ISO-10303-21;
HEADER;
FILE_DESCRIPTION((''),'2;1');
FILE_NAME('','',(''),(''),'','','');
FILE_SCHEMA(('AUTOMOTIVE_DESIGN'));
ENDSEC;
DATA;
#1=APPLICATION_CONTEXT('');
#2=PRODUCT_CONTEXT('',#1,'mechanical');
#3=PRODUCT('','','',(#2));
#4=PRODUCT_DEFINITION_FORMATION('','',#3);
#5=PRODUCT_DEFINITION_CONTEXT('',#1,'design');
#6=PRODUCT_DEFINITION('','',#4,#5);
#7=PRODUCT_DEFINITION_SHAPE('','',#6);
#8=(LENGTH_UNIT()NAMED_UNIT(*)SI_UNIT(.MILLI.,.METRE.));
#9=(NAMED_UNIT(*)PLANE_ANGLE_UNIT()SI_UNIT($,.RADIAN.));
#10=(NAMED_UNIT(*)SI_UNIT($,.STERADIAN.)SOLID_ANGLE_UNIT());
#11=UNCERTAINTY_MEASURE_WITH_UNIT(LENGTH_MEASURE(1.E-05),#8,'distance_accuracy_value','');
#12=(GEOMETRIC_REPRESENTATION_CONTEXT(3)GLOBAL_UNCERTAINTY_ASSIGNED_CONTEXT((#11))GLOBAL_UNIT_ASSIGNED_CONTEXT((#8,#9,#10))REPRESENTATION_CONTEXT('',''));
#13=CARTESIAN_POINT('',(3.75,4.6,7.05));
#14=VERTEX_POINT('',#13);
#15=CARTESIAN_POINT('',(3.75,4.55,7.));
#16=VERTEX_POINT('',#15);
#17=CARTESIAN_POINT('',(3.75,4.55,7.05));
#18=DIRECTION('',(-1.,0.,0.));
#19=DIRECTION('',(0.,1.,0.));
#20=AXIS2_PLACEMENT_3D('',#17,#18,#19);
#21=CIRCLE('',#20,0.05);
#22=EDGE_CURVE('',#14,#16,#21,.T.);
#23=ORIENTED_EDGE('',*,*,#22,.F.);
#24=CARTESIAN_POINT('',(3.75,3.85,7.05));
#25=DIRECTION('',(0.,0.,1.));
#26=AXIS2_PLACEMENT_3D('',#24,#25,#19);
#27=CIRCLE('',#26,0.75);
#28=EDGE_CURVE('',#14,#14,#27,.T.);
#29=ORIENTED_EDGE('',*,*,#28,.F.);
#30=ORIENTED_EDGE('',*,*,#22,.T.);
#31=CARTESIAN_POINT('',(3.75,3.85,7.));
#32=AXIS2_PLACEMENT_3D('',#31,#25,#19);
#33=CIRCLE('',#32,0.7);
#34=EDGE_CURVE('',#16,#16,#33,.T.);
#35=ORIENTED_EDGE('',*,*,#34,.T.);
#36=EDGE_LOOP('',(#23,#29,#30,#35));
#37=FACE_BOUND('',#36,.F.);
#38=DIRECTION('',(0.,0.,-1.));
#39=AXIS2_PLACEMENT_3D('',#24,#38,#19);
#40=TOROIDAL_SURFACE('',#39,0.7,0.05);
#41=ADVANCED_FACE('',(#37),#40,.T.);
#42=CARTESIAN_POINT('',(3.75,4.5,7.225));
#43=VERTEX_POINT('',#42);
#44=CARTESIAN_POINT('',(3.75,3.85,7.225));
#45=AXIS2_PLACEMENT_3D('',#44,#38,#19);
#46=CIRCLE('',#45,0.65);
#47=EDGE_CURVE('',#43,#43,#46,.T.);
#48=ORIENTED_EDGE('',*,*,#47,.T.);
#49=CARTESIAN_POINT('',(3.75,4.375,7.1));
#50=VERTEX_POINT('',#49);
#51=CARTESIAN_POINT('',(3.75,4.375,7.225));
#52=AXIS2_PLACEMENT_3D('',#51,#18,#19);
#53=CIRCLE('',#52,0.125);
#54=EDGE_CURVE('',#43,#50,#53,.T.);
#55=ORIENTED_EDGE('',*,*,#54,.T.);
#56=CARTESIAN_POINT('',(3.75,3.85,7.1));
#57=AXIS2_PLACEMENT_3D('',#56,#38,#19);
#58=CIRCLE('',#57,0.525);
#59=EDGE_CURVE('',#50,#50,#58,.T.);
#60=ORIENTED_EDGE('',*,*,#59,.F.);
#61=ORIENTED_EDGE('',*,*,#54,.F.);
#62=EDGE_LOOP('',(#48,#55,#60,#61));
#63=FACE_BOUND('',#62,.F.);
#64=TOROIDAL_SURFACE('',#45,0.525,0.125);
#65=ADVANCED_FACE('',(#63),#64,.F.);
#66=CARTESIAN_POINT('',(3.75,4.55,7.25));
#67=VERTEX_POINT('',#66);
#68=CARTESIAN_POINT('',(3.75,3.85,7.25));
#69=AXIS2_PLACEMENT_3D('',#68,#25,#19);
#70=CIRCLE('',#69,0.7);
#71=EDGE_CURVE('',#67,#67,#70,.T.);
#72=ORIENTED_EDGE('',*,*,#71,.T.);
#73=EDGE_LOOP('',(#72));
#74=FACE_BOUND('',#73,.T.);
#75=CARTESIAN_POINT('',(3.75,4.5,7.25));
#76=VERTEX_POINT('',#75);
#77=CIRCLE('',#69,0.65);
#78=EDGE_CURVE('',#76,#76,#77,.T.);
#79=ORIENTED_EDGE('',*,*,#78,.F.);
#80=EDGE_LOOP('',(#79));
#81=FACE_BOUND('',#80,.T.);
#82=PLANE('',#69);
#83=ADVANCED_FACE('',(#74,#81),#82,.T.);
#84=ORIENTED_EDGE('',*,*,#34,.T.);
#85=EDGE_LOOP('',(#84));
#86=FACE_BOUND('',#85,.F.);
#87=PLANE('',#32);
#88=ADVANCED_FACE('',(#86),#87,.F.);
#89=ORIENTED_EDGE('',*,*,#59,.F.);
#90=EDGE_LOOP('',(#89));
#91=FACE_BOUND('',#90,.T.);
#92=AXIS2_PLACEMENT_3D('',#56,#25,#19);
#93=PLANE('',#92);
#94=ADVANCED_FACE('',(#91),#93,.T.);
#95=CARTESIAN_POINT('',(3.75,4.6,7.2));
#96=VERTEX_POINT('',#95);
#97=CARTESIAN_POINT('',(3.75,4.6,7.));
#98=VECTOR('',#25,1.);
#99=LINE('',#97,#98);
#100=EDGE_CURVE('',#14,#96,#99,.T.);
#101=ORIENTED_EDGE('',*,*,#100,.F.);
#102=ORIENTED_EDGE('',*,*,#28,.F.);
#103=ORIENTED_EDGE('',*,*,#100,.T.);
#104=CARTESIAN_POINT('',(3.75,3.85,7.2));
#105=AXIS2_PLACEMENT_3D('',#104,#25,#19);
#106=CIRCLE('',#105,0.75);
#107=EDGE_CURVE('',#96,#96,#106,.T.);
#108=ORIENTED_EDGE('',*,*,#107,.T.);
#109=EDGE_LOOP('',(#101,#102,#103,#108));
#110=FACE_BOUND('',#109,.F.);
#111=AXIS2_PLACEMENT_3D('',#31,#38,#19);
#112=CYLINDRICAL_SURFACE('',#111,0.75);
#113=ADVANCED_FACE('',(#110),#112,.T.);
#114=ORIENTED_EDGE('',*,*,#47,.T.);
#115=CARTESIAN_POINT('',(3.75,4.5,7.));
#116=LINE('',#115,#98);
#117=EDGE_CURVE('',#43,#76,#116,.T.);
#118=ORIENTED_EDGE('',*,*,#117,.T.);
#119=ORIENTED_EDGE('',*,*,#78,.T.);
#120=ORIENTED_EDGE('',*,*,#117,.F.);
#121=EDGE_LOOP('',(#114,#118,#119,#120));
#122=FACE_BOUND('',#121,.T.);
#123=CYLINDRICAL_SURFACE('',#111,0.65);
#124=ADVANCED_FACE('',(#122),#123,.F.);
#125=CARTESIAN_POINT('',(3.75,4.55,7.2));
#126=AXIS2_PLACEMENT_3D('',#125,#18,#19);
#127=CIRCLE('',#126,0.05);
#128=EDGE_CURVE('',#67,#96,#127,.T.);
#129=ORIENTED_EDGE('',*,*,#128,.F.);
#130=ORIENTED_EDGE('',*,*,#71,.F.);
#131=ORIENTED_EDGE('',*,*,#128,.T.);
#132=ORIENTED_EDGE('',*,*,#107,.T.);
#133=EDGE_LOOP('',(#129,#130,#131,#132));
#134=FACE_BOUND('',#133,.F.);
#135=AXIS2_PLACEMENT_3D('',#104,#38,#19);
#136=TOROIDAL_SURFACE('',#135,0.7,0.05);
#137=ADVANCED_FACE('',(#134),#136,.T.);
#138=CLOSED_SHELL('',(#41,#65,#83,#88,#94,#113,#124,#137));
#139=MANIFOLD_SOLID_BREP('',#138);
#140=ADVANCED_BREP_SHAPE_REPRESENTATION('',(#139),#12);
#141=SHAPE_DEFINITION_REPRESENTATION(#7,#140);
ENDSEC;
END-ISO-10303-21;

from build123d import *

# Parameters (mm, degrees)
SKETCH010_R  = 0.75
PAD003_DEPTH = 0.25
THICKNESS_T  = -0.1
FILLET_R     = 0.125
FILLET001_R  = 0.05


with BuildPart() as part:
    # Sketch010 → Pad003 (new body)
    with BuildSketch(Plane(origin=(3.75, 3.85, 7), x_dir=(0, 1, 0), z_dir=(0, 0, 1))):
        Circle(SKETCH010_R)
    extrude(amount=PAD003_DEPTH)

    # Thickness
    thickness_openings = [part.faces().sort_by_distance(p)[0] for p in [
        (3.75, 3.85, 7.25),
    ]]
    offset(amount=THICKNESS_T, openings=thickness_openings)

    # Fillet
    fillet_edges = [part.edges().sort_by_distance(p)[0] for p in [
        (3.75, 3.2, 7.1),
    ]]
    fillet(fillet_edges, radius=FILLET_R)

    # Fillet001
    fillet001_edges = [part.edges().sort_by_distance(p)[0] for p in [
        (3.75, 3.1, 7.25),
        (3.75, 3.1, 7),
    ]]
    fillet(fillet001_edges, radius=FILLET001_R)


solid = part.part
